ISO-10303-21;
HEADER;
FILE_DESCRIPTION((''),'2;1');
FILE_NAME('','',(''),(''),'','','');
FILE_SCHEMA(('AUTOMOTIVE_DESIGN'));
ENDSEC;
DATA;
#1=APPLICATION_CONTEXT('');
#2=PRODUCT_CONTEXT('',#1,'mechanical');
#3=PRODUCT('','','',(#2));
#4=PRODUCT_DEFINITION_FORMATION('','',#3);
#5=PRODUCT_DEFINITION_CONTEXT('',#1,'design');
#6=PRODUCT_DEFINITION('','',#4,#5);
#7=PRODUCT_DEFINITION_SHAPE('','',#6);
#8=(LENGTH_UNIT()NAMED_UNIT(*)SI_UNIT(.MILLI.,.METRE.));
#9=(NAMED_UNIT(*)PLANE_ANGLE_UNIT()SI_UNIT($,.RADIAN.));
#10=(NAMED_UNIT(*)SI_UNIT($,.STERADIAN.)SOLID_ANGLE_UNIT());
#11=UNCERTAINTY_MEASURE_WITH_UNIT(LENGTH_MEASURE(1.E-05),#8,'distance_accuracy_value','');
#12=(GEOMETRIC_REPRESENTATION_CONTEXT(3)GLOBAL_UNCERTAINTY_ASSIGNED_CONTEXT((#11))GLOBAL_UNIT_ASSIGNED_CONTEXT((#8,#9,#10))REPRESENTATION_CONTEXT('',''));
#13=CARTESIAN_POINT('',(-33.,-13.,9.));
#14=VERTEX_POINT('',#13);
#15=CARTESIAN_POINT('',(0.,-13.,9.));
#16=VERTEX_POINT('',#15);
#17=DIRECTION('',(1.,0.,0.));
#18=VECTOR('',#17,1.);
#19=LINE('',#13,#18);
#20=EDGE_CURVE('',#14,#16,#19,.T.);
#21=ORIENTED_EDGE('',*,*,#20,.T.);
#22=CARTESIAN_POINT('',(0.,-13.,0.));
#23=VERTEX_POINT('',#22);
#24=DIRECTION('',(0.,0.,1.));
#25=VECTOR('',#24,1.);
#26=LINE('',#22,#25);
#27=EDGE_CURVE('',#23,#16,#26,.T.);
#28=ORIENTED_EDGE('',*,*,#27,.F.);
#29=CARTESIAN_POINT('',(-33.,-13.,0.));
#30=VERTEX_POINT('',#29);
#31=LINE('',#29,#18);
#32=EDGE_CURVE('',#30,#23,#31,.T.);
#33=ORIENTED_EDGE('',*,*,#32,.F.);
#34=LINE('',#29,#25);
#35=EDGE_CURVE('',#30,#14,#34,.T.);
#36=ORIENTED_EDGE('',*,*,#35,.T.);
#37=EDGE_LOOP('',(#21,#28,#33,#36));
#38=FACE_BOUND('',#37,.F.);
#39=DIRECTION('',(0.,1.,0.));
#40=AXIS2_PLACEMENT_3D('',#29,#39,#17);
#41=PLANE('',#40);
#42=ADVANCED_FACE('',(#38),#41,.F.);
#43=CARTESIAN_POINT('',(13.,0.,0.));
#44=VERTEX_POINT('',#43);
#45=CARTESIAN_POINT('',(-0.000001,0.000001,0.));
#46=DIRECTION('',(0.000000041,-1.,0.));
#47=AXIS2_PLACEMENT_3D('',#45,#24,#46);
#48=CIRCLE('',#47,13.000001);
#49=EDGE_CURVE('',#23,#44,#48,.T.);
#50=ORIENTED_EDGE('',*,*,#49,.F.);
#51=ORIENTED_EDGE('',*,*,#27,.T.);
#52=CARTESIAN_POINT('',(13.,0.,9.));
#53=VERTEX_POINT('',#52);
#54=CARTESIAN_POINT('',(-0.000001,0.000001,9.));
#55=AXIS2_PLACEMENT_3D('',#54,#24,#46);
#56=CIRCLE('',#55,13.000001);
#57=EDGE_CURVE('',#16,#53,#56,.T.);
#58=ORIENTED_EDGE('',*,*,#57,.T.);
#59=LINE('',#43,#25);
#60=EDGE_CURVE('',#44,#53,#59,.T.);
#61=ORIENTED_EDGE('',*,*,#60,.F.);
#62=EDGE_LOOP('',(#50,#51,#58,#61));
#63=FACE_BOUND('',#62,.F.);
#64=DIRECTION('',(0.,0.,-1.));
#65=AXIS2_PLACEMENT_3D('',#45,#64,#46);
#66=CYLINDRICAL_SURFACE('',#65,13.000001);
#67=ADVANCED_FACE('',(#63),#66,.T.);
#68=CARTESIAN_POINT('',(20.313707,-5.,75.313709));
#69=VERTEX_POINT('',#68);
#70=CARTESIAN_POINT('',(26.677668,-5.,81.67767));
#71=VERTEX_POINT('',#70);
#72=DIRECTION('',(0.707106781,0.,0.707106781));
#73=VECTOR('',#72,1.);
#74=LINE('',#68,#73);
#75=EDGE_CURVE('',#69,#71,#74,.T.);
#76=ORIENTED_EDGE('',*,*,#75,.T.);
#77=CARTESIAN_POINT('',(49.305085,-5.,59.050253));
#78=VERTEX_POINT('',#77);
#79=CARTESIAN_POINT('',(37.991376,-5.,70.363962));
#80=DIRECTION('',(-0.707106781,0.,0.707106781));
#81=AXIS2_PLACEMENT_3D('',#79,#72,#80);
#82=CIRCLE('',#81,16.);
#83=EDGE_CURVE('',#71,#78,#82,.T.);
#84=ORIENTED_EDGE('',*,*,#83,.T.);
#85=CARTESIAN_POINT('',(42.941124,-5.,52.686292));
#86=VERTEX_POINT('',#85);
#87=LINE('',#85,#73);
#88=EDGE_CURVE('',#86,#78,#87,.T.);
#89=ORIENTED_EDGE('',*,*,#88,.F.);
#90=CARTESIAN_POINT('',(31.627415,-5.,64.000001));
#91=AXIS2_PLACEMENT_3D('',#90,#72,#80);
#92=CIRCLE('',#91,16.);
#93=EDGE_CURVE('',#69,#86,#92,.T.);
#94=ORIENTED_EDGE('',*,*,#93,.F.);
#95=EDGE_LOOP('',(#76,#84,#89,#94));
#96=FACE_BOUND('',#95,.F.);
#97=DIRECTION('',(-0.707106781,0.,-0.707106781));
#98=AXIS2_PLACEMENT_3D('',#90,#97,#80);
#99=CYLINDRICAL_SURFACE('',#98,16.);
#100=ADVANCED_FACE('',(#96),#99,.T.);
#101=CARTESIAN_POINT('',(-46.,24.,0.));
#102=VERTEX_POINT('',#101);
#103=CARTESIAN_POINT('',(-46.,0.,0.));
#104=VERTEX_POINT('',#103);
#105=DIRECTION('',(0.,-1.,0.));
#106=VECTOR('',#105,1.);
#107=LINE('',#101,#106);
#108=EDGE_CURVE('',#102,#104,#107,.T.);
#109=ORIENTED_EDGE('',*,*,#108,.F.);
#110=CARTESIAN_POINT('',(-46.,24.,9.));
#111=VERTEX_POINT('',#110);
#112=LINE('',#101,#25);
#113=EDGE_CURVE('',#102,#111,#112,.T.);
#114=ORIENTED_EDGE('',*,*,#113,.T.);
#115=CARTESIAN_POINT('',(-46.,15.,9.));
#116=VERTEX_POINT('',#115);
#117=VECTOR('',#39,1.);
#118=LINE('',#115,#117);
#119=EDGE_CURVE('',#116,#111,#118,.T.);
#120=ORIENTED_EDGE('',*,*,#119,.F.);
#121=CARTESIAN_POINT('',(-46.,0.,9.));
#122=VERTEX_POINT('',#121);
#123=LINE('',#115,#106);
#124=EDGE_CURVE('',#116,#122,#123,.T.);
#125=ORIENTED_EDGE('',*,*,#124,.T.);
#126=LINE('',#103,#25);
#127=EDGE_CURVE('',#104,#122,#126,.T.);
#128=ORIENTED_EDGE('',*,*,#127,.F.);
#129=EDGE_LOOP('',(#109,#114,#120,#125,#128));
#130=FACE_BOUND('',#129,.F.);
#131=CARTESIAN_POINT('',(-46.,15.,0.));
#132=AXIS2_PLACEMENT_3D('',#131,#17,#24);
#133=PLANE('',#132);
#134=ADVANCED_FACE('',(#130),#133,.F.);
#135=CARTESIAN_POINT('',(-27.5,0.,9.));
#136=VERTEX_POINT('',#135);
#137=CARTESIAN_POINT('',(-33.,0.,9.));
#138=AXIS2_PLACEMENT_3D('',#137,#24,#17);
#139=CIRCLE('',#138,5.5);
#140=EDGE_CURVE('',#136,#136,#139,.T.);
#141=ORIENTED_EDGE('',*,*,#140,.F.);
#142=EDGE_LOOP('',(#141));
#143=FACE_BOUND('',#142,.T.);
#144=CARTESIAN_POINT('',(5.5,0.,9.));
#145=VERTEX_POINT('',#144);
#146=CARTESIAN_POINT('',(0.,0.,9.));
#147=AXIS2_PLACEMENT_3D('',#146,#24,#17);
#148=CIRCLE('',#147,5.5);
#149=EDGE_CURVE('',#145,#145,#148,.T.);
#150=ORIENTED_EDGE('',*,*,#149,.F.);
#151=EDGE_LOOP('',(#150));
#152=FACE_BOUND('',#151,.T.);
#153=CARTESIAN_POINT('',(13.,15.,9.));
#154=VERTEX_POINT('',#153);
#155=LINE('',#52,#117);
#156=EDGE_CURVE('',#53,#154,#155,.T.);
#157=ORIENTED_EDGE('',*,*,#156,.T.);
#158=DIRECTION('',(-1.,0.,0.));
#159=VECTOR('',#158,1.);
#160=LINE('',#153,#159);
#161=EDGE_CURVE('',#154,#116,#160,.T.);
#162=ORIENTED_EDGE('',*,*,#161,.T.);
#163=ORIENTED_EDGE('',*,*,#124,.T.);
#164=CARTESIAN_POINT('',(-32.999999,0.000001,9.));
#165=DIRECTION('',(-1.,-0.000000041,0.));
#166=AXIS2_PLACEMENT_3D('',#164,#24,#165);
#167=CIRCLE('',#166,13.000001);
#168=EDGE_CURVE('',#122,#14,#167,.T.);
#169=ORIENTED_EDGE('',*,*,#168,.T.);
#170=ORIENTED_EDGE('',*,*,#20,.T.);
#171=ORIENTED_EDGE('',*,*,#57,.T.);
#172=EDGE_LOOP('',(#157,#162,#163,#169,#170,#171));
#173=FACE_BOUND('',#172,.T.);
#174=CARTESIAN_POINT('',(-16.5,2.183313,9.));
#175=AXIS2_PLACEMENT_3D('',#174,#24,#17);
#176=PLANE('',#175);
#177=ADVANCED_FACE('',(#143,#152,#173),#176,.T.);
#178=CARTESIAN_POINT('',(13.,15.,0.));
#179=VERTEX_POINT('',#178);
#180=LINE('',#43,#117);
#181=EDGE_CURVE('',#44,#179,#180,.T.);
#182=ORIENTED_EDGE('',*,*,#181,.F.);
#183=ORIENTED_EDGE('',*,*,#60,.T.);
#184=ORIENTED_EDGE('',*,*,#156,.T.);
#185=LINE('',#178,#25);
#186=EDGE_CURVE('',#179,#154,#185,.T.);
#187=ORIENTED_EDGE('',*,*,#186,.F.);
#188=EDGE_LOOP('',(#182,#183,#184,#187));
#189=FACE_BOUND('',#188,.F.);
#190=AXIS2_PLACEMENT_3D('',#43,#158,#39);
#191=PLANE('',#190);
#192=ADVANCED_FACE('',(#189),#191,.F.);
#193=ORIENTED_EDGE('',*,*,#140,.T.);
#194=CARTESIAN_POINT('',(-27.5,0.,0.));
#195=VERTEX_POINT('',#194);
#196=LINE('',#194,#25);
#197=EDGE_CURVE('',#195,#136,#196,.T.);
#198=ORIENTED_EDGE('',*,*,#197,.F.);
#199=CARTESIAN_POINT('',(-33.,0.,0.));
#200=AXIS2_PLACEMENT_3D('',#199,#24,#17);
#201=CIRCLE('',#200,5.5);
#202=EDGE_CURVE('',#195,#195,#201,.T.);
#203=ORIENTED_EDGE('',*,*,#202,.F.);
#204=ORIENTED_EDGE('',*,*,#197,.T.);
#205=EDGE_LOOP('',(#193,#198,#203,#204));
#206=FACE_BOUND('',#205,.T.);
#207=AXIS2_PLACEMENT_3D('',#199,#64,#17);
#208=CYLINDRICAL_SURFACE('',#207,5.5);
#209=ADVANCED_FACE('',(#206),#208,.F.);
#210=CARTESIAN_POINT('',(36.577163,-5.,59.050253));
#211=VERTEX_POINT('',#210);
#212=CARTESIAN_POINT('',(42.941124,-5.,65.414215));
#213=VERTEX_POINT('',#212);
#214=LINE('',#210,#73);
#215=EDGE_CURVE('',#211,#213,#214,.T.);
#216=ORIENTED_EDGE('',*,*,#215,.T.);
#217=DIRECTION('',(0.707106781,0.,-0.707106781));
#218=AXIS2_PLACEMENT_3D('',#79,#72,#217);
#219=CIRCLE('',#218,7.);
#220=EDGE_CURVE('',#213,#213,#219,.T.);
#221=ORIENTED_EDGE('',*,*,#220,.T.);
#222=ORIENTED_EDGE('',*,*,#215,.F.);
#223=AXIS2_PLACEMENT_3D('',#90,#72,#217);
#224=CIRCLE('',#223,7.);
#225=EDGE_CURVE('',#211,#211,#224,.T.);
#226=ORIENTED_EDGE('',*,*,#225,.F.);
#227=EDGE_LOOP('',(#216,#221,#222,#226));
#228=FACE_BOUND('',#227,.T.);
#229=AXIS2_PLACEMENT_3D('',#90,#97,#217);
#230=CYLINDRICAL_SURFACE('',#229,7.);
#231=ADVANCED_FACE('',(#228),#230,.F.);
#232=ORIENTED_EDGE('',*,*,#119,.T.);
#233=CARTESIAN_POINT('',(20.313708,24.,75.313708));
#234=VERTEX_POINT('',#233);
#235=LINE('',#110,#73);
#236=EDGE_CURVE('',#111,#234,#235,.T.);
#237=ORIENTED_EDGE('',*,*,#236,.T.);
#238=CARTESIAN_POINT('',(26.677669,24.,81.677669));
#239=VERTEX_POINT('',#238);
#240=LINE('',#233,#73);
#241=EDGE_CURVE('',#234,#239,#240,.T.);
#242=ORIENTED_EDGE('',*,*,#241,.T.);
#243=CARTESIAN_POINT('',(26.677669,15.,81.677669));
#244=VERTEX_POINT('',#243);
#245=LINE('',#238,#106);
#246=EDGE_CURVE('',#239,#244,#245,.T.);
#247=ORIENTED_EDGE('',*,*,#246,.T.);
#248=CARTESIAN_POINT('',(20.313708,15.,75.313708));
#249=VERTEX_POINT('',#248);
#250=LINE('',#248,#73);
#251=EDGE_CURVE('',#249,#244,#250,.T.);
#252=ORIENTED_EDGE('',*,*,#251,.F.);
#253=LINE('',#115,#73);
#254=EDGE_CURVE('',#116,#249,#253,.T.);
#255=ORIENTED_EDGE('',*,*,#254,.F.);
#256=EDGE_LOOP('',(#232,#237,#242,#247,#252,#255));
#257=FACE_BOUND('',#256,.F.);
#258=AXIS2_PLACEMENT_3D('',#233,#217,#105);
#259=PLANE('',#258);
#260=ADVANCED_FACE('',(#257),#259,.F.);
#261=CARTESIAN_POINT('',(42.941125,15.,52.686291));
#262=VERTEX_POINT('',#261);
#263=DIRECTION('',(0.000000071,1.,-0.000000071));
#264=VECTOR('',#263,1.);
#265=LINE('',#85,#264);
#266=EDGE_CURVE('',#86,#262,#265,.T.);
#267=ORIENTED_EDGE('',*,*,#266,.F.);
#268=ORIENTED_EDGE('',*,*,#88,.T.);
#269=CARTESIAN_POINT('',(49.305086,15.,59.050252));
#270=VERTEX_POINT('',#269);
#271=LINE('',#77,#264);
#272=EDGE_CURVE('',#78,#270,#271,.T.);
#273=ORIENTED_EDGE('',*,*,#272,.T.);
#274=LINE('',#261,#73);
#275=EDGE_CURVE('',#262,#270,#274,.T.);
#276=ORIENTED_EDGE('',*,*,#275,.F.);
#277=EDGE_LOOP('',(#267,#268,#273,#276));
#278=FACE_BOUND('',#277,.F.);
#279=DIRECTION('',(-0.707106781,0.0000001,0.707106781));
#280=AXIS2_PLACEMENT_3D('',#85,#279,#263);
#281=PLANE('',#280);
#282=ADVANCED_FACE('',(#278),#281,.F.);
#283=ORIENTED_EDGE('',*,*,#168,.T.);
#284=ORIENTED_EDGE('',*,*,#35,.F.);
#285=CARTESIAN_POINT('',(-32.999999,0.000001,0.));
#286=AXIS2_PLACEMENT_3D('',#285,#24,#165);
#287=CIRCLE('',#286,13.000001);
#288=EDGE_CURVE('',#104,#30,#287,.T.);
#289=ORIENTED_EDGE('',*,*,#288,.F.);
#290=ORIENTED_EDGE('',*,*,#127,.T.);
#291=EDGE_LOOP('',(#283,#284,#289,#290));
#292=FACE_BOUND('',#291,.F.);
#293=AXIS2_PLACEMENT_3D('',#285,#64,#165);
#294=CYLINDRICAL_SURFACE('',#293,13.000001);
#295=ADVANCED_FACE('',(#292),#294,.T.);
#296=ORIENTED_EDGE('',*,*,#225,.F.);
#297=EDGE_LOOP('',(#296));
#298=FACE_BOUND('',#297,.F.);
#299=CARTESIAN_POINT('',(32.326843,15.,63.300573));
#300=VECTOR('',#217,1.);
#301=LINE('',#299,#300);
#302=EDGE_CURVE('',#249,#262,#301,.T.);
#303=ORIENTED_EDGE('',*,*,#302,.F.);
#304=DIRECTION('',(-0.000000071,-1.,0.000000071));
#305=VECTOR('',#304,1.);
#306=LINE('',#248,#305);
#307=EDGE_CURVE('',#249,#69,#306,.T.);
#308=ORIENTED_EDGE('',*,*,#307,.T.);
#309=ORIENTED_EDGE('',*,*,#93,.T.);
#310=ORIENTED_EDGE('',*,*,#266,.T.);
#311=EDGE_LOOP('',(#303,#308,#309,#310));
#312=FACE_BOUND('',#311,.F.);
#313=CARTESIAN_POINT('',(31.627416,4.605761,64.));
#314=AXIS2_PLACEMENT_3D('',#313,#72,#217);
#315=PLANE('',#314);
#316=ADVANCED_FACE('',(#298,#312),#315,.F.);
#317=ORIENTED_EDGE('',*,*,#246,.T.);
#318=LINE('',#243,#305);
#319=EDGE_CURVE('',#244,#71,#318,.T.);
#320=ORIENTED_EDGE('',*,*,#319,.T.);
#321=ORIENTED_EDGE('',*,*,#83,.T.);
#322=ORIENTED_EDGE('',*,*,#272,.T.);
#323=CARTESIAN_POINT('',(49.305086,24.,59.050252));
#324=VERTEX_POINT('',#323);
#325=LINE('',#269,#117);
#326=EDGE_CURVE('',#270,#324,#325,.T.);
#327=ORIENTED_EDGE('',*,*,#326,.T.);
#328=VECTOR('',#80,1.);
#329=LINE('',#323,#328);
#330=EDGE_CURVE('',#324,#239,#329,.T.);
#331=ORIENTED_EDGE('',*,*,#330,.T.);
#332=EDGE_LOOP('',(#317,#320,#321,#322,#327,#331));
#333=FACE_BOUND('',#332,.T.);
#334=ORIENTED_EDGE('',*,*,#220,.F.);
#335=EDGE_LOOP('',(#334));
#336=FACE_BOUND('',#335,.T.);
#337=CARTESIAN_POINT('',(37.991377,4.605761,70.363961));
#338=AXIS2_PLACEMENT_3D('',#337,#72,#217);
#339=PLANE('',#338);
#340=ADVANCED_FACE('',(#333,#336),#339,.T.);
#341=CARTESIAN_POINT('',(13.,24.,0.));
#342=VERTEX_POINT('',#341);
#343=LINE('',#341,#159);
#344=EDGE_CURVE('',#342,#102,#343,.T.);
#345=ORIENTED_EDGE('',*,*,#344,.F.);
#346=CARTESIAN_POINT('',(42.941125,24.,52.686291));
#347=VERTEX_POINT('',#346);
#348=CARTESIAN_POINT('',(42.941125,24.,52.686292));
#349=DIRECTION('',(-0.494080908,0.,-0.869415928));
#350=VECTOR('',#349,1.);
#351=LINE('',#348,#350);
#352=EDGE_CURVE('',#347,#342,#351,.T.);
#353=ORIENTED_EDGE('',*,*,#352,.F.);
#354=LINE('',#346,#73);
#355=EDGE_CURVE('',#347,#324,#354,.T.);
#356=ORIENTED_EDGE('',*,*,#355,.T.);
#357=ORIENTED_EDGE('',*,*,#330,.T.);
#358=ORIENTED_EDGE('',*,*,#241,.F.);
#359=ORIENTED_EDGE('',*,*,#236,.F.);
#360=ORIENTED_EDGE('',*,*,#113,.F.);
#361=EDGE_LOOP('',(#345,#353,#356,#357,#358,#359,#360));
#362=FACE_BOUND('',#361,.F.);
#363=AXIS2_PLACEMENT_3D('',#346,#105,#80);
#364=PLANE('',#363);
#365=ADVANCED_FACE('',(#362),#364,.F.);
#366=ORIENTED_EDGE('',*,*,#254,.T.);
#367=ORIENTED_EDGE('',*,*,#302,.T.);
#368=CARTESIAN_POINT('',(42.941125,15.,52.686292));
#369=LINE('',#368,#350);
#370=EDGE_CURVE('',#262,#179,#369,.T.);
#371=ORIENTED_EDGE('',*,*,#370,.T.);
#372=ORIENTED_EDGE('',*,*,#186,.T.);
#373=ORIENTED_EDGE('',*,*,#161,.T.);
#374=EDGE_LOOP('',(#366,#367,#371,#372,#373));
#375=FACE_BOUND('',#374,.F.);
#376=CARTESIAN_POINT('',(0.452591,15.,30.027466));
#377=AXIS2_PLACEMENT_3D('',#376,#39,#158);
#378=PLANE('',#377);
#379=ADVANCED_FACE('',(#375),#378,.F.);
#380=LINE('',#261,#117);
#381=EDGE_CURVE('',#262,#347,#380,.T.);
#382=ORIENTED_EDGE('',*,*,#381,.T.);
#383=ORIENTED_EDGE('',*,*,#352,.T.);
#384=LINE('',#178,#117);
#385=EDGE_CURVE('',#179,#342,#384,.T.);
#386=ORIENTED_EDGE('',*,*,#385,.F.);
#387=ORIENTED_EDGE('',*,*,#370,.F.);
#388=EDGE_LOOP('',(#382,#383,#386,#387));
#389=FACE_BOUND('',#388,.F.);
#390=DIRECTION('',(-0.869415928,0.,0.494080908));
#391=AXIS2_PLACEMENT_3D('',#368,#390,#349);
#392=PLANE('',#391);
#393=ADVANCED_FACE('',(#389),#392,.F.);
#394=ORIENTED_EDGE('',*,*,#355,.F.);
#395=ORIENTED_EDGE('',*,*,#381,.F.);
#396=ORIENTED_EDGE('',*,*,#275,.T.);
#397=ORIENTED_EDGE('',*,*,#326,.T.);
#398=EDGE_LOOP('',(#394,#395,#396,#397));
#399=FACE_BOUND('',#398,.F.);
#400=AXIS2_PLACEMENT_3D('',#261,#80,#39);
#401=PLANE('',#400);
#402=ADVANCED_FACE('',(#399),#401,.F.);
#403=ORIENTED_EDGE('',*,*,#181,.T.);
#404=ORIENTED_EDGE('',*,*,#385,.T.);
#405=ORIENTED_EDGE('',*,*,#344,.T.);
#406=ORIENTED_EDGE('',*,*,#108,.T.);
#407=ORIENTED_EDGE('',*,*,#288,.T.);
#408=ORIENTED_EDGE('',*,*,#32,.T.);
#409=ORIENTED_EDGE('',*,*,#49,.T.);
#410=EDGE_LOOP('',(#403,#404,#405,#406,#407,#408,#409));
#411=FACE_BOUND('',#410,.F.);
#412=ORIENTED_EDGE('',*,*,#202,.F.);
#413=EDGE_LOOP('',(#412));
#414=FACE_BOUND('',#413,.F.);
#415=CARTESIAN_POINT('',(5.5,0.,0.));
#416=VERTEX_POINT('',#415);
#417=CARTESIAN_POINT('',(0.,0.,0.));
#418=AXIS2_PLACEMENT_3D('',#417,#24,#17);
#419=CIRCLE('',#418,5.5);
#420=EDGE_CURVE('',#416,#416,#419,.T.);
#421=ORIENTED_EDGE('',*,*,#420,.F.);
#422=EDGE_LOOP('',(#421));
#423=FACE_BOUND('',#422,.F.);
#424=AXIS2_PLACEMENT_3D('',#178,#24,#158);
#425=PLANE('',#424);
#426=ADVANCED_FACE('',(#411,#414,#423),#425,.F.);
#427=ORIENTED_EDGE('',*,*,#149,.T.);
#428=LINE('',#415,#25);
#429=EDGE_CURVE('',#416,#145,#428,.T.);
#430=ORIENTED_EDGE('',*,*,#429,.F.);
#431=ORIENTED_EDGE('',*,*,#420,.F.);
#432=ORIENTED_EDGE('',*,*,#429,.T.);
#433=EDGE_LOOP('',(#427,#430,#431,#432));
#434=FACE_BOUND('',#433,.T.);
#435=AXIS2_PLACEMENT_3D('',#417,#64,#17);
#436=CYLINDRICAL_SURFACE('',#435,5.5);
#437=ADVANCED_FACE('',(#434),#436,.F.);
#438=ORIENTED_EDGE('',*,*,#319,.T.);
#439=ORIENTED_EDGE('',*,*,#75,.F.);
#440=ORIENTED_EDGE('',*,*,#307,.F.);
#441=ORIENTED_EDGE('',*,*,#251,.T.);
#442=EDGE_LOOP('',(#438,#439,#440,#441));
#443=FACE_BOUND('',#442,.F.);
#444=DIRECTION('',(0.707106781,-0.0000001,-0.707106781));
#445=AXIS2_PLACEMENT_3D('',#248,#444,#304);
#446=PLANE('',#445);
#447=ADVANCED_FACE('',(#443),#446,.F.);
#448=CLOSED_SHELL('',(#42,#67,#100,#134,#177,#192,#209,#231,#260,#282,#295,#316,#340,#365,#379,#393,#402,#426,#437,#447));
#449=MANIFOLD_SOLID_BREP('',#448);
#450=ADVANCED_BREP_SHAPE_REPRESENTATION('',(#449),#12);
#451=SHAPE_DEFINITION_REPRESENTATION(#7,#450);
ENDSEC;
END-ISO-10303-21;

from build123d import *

# Parameters (mm, degrees)
F0_R     = 5.5
F1_DEPTH = 9
F3_DEPTH = 9
F4_R     = 7
F5_DEPTH = 9


with BuildPart() as f1:
    # F0 (on Top) → F1 (new body)
    with BuildSketch(Plane.XY):
        with BuildLine():
            Line((-46, 15), (-46, 0))
            ThreePointArc((-46, 0), (-42.192388, -9.192388), (-33, -13))
            Line((-33, -13), (0, -13))
            ThreePointArc((0, -13), (9.192388, -9.192388), (13, 0))
            Line((13, 0), (13, 15))
            Line((13, 15), (-46, 15))
        make_face()
        with Locations((-33, 0)):
            Circle(F0_R, mode=Mode.SUBTRACT)
        Circle(F0_R, mode=Mode.SUBTRACT)
    extrude(amount=F1_DEPTH)

    # F2 (on face) → F3 (join)
    with BuildSketch(Plane(origin=(0, 15, 0), x_dir=(-1, 0, 0), z_dir=(0, 1, 0))):
        Polygon((46, 0), (46, 9), (-20.313708, 75.313708), (-42.941125, 52.686292), (-13, 0), align=None)
    extrude(amount=F3_DEPTH)

    # F4 (on face) → F5 (join)
    with BuildSketch(Plane(origin=(47.813708, 0, 47.813708), x_dir=(0.707107, 0, -0.707107), z_dir=(0.707107, 0, 0.707107))):
        with BuildLine():
            Line((-6.890873, 15), (-6.890873, 24))
            Line((-6.890873, 24), (-38.890873, 24))
            Line((-38.890873, 24), (-38.890873, 15))
            Line((-38.890873, 15), (-38.890875, -5))
            ThreePointArc((-38.890875, -5), (-22.890875, -21), (-6.890875, -5))
            Line((-6.890875, -5), (-6.890873, 15))
        make_face()
        with Locations((-22.890875, -5)):
            Circle(F4_R, mode=Mode.SUBTRACT)
    extrude(amount=F5_DEPTH)


solid = f1.part
